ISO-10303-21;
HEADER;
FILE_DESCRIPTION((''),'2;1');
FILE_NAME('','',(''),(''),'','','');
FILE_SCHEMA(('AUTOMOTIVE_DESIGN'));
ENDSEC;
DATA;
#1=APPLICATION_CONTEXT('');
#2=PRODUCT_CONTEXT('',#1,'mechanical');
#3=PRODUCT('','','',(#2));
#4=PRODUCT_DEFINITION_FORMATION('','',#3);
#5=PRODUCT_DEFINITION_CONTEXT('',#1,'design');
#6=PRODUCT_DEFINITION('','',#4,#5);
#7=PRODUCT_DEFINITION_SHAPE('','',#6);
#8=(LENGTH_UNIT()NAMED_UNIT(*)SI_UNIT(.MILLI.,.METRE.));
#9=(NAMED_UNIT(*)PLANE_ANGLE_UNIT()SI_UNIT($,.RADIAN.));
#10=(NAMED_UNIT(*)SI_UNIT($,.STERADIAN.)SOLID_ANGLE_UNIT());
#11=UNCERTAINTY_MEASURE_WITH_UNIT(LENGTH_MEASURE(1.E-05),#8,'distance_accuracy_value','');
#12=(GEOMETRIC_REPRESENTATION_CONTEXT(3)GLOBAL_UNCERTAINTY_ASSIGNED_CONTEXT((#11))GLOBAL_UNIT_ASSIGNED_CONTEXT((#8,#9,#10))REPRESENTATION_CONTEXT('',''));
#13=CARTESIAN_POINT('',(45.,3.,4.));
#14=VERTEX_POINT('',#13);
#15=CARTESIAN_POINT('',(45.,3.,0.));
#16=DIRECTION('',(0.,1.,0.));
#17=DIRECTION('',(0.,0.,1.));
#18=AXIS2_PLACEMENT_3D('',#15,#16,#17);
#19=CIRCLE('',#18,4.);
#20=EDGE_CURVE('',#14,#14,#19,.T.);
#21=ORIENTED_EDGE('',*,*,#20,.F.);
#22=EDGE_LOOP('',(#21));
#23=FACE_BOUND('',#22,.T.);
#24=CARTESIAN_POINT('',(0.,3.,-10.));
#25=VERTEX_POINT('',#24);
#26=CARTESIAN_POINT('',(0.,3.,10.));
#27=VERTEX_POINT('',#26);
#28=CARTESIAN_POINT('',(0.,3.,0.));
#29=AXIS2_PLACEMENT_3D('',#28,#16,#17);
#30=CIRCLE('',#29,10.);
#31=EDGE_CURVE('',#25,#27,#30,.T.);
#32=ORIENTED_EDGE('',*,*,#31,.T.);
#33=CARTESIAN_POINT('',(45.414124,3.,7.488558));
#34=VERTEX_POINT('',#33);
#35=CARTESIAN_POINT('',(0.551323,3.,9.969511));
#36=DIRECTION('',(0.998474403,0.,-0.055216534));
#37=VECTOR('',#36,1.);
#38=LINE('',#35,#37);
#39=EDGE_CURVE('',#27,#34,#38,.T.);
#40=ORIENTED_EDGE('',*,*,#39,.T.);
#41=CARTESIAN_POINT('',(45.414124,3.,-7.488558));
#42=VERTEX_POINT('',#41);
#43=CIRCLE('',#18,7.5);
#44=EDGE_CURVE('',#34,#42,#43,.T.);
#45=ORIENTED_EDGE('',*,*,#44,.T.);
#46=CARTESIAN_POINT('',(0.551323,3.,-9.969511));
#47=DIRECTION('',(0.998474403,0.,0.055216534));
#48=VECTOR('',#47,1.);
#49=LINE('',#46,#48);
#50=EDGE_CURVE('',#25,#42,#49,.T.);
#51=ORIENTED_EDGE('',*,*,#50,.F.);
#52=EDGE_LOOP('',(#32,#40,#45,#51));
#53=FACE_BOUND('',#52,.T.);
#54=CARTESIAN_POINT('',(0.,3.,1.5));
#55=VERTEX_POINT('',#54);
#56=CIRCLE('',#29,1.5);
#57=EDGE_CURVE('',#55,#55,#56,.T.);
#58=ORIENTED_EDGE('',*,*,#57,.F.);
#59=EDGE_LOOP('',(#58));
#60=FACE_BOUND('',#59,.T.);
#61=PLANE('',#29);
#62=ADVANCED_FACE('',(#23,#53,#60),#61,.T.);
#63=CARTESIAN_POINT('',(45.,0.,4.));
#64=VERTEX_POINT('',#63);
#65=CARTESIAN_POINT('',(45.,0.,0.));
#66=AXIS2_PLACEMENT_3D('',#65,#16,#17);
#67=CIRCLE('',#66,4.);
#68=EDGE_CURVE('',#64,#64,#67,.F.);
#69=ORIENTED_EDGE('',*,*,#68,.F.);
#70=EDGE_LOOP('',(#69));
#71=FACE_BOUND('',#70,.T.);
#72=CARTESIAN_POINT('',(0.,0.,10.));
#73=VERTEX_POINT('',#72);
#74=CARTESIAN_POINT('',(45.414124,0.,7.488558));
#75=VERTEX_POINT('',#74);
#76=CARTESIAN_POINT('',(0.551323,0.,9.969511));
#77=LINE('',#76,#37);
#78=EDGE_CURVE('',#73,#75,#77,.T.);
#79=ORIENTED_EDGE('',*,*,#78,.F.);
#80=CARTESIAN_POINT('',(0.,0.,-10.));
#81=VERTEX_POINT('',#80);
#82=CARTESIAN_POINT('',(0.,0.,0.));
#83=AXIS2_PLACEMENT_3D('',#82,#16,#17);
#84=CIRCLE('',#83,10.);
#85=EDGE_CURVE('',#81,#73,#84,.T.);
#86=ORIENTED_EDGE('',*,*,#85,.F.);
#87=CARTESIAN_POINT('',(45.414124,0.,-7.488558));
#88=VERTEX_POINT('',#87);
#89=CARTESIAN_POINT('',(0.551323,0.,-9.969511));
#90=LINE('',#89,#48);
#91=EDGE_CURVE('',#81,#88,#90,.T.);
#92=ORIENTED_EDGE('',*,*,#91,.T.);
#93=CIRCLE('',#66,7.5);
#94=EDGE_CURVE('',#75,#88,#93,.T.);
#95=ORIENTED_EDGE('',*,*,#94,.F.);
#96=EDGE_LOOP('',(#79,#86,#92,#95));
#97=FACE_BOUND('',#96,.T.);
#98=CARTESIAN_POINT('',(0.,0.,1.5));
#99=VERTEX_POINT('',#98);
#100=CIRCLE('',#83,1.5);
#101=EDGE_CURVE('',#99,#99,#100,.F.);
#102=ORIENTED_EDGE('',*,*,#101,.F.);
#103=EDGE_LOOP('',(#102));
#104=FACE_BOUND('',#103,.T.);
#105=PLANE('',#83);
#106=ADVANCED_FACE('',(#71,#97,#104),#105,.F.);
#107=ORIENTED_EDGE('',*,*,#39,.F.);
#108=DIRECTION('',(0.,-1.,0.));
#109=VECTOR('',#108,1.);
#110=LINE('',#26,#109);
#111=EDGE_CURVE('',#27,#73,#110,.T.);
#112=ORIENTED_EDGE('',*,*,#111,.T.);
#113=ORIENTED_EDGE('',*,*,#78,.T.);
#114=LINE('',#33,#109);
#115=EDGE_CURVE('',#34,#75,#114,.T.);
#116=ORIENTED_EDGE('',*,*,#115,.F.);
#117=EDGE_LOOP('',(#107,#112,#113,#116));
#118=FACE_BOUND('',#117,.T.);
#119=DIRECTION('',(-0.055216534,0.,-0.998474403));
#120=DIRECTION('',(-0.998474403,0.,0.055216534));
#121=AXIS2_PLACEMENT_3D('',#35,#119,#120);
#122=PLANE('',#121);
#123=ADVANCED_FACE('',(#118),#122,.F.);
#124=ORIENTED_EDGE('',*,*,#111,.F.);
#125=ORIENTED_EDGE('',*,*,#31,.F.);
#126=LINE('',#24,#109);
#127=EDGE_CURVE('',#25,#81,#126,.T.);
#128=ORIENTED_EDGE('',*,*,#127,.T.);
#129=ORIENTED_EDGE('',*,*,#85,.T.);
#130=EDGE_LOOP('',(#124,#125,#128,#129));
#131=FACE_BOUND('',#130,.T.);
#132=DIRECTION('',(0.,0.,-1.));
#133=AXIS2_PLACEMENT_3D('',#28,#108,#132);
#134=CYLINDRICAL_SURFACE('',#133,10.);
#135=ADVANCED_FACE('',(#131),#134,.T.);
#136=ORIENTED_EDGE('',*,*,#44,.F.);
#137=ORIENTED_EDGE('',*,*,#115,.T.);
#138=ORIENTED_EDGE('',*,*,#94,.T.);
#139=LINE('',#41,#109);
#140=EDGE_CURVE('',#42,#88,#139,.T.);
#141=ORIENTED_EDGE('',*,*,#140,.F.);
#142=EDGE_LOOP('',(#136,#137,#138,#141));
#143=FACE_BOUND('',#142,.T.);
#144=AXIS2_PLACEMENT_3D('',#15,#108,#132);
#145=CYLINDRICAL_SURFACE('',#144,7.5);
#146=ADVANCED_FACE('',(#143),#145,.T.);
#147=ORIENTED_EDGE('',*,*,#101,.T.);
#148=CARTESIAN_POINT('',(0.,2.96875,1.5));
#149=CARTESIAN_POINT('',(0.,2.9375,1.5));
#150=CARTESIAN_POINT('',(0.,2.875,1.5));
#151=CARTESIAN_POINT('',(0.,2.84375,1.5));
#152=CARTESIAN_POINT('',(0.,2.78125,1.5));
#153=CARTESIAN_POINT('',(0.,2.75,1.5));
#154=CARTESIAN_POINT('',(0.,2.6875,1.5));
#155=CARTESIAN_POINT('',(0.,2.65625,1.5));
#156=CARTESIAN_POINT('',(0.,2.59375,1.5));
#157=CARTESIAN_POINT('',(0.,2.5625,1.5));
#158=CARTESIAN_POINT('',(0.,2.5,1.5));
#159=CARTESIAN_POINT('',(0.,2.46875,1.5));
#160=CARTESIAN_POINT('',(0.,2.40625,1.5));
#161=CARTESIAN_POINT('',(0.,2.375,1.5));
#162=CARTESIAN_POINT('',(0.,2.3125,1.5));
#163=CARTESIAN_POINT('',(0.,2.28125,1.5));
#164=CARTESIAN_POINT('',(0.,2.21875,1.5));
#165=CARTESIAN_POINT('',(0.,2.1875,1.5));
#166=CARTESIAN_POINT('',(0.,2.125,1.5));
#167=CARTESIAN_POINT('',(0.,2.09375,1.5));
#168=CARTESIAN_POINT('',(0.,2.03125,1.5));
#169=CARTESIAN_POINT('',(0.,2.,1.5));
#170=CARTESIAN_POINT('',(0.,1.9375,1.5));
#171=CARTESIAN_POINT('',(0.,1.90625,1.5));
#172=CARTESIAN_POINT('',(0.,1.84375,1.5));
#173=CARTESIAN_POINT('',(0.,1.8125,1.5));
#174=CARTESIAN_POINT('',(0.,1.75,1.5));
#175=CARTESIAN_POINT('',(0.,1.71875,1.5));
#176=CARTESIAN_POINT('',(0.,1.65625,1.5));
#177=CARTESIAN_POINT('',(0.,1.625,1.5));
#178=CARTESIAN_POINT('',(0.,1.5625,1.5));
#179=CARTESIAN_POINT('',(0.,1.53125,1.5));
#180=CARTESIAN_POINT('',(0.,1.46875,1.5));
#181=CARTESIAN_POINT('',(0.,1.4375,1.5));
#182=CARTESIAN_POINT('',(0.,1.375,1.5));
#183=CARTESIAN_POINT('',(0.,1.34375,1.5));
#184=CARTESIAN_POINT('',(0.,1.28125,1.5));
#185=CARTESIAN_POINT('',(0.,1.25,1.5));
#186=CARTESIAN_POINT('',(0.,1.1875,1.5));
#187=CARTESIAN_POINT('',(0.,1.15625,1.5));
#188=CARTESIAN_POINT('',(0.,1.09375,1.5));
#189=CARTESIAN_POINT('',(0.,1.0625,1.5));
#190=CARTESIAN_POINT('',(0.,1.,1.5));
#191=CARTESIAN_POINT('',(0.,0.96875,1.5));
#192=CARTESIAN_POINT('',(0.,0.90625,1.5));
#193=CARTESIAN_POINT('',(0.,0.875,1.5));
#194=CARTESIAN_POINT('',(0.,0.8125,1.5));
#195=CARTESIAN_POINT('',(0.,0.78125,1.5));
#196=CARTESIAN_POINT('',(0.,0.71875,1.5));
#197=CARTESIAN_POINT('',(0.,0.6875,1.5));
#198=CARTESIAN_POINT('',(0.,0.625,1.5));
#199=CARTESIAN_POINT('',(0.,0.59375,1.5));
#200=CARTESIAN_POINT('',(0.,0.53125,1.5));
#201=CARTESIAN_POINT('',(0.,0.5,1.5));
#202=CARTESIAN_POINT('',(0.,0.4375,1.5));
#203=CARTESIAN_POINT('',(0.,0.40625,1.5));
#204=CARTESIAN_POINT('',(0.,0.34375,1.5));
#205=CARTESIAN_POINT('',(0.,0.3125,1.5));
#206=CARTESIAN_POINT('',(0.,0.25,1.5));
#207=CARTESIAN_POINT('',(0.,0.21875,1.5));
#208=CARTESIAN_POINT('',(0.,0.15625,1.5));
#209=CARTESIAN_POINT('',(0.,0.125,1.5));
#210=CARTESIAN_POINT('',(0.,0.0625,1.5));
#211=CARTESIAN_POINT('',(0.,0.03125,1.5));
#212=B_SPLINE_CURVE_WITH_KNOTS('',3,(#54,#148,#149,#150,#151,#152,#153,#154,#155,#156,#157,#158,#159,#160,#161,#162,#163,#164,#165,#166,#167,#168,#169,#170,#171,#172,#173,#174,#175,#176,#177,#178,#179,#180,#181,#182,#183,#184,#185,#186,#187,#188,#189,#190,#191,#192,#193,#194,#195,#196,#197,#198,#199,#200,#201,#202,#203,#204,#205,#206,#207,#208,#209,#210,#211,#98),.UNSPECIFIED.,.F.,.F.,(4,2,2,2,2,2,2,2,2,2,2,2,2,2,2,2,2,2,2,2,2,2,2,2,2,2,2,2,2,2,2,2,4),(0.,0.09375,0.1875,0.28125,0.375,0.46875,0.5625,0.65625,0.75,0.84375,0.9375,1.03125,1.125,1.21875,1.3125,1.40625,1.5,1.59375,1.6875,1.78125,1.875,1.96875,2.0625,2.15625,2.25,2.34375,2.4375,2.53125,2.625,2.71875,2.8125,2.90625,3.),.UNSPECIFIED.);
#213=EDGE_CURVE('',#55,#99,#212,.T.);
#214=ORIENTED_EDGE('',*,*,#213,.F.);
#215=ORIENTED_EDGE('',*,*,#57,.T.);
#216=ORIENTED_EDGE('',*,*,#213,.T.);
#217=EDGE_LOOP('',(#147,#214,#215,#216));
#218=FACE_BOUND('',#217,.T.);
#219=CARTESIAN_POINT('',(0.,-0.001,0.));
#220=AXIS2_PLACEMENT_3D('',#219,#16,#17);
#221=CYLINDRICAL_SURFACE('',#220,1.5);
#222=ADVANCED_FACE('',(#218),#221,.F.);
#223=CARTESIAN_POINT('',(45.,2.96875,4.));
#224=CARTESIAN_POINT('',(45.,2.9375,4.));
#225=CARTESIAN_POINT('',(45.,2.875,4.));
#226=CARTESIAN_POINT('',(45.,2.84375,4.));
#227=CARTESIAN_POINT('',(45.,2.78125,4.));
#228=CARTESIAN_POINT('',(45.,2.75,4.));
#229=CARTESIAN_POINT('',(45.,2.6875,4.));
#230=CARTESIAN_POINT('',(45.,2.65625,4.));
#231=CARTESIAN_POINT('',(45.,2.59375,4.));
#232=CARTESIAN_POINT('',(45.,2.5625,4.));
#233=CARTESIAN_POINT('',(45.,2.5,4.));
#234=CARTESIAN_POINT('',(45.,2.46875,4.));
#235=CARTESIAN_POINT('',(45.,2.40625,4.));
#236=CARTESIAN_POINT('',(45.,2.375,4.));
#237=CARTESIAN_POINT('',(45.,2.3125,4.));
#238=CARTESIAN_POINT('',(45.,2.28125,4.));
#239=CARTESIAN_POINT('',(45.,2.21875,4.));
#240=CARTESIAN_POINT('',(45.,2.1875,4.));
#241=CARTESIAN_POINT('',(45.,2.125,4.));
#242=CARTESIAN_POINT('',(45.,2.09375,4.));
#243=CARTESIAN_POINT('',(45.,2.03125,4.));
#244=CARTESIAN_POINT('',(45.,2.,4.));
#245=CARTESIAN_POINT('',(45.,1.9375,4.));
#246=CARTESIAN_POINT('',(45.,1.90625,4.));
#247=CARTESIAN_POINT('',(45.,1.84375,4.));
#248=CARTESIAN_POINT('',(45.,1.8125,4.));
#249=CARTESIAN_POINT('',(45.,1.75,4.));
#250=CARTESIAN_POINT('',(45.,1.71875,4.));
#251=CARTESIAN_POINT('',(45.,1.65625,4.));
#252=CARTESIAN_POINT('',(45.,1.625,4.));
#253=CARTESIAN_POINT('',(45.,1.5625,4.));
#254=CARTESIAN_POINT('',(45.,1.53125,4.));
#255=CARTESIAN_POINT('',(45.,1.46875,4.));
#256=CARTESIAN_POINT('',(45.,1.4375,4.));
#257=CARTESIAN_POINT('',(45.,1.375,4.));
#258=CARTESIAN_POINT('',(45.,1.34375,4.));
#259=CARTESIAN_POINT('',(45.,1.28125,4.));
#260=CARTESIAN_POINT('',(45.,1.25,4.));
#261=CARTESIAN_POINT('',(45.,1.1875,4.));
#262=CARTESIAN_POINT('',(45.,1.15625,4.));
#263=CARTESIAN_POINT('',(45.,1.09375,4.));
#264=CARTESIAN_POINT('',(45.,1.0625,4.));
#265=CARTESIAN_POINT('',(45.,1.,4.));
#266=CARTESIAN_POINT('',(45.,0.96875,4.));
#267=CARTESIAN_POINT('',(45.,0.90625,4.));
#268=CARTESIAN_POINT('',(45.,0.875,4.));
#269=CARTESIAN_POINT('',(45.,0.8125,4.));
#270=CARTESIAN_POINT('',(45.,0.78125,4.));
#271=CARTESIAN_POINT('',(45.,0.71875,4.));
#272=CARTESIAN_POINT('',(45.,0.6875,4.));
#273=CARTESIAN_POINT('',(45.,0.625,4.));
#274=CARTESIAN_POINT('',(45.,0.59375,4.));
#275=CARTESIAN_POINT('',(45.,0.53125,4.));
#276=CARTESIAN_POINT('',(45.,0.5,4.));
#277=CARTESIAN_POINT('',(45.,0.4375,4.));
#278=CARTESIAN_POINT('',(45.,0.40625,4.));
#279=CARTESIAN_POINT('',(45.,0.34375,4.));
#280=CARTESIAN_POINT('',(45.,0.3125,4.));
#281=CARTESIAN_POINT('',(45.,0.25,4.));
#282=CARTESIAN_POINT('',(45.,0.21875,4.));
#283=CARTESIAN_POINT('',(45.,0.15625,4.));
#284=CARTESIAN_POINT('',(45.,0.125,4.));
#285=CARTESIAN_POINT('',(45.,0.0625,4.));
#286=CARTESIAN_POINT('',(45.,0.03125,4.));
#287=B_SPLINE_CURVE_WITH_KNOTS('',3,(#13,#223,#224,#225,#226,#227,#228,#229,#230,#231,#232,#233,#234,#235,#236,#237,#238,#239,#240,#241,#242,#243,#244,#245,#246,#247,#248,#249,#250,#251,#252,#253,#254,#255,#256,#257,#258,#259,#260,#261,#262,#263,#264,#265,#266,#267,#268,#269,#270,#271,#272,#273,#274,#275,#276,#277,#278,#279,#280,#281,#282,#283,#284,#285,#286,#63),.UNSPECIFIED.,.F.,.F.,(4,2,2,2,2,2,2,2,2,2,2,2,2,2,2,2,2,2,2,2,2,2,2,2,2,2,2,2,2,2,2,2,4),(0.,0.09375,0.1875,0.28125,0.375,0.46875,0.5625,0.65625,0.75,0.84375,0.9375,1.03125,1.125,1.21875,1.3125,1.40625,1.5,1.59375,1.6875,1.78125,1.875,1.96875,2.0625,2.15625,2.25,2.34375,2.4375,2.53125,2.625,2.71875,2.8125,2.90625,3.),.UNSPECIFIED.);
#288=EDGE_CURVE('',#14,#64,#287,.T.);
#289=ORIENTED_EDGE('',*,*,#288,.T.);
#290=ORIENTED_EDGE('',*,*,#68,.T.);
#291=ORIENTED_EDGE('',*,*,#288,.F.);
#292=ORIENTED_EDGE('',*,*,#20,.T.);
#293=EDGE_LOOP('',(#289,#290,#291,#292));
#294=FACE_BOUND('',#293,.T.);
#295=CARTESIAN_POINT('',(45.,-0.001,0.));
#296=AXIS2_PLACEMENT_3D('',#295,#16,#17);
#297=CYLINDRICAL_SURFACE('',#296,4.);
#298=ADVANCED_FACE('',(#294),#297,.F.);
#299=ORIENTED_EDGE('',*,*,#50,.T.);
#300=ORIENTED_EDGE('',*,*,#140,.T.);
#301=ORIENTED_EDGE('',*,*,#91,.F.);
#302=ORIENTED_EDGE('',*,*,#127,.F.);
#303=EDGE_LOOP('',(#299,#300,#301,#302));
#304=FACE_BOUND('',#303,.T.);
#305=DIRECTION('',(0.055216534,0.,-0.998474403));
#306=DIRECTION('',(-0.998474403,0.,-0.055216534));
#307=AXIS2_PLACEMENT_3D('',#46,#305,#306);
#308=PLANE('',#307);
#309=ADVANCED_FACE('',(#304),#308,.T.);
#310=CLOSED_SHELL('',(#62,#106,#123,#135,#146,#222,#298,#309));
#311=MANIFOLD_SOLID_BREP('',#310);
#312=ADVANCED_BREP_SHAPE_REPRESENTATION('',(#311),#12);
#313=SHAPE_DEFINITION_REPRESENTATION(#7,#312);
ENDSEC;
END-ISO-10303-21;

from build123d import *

# Parameters (mm, degrees)
BOSS_EXTRUDE1_DEPTH = 3
CUT_EXTRUDE1_REACH  = 55.528
SKETCH2_R           = 1.5
SKETCH2_R_2         = 4


with BuildPart() as part:
    # Sketch1 → Boss-Extrude1 (new body)
    with BuildSketch(Plane(origin=(0, 0, 0), x_dir=(1, 0, 0), z_dir=(0, 1, 0))):
        with BuildLine():
            ThreePointArc((0, 10), (-10, 0), (0, -10))
            Line((0, -10), (45.414124006, -7.488558026))
            ThreePointArc((45.414124006, -7.488558026), (52.5, 0), (45.414124006, 7.488558026))
            Line((45.414124006, 7.488558026), (0, 10))
        make_face()
    extrude(amount=BOSS_EXTRUDE1_DEPTH)

    # Sketch2 → Cut-Extrude1 (cut, up to next)
    with BuildSketch(Plane(origin=(0, 3, 0), x_dir=(1, 0, 0), z_dir=(0, 1, 0)), mode=Mode.PRIVATE) as cut_extrude1_sk1:
        with Locations(Location((0, 0, 0), (0, 0, 270))):
            Circle(SKETCH2_R)
    cut_extrude1_tool1 = extrude(cut_extrude1_sk1.sketch, amount=-CUT_EXTRUDE1_REACH, mode=Mode.PRIVATE) & part.part
    # Sketch2 → Cut-Extrude1 (cut, up to next)
    with BuildSketch(Plane(origin=(0, 3, 0), x_dir=(1, 0, 0), z_dir=(0, 1, 0)), mode=Mode.PRIVATE) as cut_extrude1_sk2:
        with Locations(Location((45, 0, 0), (0, 0, 270))):
            Circle(SKETCH2_R_2)
    cut_extrude1_tool2 = extrude(cut_extrude1_sk2.sketch, amount=-CUT_EXTRUDE1_REACH, mode=Mode.PRIVATE) & part.part
    add(cut_extrude1_tool1.solids().sort_by_distance((0, 3, 0))[0], mode=Mode.SUBTRACT)
    add(cut_extrude1_tool2.solids().sort_by_distance((45, 3, 0))[0], mode=Mode.SUBTRACT)


solid = part.part
